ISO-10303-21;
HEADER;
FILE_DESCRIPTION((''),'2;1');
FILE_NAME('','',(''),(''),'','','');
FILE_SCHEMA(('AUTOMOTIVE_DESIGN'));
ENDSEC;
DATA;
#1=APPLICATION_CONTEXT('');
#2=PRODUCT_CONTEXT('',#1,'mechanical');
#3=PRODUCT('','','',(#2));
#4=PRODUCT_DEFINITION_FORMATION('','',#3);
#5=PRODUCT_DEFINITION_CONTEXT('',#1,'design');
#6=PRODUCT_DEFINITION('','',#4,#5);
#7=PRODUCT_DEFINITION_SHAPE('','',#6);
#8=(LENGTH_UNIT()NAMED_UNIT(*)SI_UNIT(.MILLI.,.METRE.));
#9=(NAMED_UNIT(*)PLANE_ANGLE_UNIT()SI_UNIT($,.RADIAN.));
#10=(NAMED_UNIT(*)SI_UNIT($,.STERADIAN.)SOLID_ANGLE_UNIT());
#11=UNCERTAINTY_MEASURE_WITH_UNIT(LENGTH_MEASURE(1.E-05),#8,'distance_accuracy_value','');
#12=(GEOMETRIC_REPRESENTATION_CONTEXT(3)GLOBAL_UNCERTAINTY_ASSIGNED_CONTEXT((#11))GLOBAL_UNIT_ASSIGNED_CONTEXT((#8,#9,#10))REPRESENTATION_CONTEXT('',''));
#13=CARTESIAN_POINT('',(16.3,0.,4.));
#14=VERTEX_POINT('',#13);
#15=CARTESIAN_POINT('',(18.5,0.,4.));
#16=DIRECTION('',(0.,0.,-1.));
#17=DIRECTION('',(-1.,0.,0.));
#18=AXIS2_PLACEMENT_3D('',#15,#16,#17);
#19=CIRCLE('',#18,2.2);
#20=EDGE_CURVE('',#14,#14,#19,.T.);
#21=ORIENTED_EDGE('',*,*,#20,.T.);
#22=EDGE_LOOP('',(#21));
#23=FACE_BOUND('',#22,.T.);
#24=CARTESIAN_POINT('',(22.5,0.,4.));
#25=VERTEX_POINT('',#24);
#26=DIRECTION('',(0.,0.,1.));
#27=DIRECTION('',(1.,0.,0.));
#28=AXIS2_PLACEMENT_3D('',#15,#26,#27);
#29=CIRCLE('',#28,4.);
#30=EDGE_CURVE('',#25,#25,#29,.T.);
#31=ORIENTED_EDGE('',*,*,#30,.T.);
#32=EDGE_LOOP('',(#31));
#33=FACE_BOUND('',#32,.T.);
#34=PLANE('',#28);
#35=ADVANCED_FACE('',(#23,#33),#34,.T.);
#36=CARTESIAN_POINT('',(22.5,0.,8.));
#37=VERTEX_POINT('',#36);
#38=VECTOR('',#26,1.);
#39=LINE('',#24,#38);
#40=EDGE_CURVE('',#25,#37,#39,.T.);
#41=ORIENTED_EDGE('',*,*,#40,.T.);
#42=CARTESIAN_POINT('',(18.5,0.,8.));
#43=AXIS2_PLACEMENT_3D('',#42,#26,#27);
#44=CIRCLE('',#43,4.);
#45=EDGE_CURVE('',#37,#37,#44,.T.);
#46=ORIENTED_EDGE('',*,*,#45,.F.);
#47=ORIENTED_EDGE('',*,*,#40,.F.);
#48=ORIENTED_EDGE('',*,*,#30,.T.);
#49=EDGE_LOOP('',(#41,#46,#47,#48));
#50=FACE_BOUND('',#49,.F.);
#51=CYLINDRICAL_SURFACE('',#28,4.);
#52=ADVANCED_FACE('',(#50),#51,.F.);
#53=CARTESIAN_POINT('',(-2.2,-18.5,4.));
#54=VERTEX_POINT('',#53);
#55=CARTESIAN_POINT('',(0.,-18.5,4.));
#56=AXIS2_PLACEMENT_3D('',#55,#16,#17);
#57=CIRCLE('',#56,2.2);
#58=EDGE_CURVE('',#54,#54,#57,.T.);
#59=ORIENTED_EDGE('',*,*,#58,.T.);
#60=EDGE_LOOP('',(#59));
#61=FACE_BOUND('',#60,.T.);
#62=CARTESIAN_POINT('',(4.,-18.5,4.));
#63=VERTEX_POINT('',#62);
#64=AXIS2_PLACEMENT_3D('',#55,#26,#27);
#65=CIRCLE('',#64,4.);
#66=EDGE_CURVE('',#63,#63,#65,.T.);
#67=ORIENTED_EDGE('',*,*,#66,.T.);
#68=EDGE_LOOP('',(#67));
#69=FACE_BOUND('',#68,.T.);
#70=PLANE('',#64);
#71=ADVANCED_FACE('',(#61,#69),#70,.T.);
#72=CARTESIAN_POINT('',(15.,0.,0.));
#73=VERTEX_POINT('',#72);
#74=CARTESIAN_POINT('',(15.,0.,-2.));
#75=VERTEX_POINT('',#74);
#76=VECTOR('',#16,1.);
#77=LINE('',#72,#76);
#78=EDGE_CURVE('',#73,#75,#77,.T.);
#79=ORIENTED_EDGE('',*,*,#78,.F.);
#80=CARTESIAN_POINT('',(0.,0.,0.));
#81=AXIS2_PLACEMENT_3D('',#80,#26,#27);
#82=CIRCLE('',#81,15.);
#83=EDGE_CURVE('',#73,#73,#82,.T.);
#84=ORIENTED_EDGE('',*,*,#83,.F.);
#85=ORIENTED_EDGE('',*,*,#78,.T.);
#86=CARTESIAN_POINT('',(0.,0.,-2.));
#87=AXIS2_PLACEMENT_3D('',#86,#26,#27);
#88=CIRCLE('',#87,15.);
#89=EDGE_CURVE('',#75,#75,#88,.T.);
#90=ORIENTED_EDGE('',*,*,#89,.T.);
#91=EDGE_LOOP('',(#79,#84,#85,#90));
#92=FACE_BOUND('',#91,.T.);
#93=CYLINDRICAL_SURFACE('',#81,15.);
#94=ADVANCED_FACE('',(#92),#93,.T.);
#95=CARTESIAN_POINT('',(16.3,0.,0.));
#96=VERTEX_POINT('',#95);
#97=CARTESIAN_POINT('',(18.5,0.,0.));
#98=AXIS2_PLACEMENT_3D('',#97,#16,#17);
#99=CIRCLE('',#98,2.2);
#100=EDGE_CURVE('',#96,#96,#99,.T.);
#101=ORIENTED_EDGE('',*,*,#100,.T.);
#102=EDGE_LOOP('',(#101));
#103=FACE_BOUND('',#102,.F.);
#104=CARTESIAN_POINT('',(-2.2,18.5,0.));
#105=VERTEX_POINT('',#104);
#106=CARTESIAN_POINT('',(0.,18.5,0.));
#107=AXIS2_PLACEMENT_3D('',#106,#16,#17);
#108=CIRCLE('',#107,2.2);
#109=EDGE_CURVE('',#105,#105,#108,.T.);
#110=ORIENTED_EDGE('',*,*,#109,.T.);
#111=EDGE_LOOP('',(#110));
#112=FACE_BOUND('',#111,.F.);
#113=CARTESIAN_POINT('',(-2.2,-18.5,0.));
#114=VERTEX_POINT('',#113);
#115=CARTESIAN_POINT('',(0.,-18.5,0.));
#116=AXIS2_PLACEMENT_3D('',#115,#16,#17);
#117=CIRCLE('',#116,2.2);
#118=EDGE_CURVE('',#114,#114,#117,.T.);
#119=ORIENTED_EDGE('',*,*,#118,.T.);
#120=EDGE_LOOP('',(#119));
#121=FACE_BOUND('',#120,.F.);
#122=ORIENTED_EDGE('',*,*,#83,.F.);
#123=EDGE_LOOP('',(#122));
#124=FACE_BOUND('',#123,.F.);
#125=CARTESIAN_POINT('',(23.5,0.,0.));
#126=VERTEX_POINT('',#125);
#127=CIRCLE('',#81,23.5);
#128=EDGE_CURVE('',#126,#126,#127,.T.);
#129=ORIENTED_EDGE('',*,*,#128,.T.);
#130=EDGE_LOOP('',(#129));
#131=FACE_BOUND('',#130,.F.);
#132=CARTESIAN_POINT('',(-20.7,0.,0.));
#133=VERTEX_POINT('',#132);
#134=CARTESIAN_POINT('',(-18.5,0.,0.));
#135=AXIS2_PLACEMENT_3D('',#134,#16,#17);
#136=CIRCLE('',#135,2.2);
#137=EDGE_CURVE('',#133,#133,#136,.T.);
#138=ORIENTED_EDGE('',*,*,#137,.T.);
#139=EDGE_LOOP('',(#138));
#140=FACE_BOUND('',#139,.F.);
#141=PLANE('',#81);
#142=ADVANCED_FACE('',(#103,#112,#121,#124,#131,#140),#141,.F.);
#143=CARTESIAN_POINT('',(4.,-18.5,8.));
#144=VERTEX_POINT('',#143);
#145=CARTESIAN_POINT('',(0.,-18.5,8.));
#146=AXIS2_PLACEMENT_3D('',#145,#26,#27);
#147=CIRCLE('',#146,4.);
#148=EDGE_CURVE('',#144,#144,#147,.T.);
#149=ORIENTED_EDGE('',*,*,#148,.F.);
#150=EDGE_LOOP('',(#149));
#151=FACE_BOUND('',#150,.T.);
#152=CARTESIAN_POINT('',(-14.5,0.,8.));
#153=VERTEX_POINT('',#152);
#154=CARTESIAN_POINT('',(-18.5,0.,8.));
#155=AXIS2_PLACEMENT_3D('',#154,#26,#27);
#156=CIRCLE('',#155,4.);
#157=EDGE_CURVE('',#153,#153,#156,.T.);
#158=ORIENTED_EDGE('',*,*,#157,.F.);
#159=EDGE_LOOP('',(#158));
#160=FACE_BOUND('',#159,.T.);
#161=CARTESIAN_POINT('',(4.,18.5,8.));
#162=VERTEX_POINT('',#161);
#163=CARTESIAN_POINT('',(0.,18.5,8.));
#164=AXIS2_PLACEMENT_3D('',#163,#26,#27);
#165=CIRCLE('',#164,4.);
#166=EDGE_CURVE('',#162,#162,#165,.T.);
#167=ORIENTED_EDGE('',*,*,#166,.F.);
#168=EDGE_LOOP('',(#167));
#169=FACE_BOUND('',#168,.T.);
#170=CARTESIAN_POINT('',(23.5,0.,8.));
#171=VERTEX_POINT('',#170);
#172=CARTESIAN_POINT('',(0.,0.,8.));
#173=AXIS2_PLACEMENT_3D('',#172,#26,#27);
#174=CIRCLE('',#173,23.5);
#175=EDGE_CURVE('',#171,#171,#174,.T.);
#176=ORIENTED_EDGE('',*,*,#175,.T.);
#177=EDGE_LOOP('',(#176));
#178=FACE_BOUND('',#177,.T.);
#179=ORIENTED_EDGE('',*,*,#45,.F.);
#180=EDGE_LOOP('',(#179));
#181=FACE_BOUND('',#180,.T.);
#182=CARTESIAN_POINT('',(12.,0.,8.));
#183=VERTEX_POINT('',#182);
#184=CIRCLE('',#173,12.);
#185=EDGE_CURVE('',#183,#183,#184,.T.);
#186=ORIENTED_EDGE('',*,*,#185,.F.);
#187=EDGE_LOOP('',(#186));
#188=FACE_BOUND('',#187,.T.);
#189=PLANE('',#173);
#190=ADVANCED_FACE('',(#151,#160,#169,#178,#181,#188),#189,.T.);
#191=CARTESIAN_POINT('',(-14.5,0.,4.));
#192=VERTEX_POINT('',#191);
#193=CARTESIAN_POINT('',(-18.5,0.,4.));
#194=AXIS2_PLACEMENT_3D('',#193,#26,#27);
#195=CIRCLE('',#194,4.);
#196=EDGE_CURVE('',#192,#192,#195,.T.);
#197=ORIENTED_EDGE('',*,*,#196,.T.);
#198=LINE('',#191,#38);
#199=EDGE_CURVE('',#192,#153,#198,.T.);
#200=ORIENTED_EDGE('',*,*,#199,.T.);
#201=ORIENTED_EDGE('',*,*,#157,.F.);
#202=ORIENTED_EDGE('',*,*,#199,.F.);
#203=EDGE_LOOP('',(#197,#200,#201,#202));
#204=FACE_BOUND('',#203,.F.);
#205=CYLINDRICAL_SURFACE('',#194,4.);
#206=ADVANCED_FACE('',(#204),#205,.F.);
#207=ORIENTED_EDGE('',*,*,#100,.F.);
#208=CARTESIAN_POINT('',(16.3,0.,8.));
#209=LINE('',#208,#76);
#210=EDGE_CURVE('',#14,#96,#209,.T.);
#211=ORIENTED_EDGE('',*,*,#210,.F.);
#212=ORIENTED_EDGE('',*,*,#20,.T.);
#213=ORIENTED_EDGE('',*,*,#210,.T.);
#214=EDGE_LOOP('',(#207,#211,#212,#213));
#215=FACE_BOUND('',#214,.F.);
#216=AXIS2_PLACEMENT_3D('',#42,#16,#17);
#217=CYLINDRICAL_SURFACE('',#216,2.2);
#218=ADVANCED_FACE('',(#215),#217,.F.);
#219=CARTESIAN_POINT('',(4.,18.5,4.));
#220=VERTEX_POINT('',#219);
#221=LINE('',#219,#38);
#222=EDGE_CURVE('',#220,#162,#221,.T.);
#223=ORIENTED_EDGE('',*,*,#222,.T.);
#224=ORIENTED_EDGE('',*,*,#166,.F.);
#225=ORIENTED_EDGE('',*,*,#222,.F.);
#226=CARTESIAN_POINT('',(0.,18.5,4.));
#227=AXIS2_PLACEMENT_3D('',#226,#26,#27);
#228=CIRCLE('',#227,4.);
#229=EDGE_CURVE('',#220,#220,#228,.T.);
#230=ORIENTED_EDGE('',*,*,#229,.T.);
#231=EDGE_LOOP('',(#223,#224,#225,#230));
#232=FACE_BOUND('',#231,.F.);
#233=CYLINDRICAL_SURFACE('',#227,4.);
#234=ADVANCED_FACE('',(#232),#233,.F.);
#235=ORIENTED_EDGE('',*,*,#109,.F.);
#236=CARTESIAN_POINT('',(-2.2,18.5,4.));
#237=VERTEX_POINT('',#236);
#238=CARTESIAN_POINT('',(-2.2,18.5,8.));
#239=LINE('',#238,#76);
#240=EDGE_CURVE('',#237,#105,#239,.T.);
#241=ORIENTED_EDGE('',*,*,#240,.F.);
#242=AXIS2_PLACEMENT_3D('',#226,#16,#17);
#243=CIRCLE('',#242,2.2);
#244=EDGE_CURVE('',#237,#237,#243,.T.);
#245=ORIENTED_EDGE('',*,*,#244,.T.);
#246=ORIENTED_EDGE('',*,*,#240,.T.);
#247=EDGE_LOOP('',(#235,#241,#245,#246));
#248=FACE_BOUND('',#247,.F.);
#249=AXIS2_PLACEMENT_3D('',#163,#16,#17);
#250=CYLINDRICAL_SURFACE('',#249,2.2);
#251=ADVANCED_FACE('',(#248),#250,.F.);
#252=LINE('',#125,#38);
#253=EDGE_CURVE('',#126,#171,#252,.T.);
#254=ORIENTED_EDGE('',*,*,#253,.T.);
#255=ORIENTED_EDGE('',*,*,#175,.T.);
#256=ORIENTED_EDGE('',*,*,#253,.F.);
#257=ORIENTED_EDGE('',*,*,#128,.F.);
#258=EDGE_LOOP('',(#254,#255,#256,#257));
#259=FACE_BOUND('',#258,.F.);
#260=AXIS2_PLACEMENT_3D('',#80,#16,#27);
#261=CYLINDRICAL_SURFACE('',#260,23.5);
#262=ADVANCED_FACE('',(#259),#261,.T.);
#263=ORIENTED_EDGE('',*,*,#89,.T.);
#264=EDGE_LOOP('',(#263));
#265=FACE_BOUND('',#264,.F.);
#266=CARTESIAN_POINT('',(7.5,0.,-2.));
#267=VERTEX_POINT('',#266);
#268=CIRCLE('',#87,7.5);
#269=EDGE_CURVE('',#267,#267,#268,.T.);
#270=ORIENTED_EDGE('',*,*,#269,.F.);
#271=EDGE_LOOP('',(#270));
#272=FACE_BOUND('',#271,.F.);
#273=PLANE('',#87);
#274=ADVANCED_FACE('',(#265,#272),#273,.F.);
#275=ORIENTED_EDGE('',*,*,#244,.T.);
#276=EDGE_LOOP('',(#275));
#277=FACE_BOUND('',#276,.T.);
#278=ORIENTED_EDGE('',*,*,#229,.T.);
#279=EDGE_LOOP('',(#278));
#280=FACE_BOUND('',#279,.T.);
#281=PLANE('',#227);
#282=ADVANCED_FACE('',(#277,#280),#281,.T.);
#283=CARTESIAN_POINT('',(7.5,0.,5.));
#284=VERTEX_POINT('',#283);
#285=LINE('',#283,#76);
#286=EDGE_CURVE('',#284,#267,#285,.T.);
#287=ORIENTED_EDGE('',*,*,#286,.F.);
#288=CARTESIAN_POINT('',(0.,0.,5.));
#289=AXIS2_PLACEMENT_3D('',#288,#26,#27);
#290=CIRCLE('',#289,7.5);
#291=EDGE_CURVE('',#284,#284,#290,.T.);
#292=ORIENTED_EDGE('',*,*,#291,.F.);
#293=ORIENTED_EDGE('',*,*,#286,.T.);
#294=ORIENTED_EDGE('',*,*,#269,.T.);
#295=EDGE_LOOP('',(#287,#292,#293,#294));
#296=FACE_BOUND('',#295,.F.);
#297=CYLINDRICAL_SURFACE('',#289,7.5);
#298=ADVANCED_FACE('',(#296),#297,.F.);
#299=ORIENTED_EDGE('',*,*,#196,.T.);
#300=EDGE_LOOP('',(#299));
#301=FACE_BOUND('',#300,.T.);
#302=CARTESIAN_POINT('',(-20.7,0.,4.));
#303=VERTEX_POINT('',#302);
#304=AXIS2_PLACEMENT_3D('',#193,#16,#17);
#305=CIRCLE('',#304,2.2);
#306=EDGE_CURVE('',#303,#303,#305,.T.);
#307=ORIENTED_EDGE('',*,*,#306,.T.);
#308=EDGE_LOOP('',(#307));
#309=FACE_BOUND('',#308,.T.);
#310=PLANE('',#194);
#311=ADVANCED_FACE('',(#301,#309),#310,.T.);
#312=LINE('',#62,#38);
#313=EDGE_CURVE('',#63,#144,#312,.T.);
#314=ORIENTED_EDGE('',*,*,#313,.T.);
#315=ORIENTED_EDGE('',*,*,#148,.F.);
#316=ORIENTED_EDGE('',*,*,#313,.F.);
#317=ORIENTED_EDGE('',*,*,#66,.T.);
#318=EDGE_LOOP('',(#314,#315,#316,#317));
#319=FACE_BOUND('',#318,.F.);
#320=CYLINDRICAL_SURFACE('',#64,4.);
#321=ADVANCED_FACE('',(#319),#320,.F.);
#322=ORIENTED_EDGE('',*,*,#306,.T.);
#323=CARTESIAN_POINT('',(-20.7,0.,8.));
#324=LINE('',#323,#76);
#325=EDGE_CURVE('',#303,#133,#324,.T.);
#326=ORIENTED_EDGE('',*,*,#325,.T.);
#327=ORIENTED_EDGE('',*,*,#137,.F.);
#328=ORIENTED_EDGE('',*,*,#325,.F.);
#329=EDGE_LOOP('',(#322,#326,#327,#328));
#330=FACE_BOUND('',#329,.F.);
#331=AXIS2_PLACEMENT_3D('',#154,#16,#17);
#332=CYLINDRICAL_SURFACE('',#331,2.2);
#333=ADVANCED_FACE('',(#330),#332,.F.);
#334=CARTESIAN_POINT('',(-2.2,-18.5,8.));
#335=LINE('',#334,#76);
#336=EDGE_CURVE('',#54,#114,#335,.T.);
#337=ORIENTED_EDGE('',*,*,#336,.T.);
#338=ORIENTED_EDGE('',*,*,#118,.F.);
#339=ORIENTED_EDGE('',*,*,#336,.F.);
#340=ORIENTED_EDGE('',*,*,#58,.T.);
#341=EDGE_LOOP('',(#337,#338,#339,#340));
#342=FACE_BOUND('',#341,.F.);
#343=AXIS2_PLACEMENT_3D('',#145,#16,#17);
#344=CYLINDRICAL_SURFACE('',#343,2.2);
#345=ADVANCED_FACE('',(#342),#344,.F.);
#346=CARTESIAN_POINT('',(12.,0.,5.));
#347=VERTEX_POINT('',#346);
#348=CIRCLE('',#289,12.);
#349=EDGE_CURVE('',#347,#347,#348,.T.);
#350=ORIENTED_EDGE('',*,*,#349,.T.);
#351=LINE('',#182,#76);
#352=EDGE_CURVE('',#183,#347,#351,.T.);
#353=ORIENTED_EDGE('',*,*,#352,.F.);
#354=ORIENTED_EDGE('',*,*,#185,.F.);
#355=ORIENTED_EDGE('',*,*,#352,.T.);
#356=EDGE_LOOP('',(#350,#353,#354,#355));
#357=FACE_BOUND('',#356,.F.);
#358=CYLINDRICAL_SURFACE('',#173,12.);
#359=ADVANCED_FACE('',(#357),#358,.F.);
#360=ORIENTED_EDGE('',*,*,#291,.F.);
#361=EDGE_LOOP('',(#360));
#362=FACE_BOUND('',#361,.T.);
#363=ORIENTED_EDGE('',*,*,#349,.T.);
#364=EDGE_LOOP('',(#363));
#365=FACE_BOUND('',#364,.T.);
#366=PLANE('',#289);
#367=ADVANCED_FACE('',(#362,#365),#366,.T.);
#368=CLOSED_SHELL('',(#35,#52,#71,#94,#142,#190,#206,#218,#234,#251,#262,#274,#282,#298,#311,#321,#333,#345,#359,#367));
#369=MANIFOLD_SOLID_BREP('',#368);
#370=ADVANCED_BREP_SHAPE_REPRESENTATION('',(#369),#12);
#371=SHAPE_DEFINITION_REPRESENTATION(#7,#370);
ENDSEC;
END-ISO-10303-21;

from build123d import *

# Parameters (mm, degrees)
F0_R           = 15
F1_DEPTH       = 2
F2_R           = 23.5
F3_DEPTH       = 8
F4_R           = 12
F5_DEPTH       = 3
F6_R           = 7.5
F7_DEPTH       = 7.001
F9_D           = 4.4
F9_CBORE_D     = 8
F9_CBORE_DEPTH = 4


with BuildPart() as f1:
    # F0 (on Top) → F1 (new body)
    with BuildSketch(Plane.XY):
        Circle(F0_R)
    extrude(amount=-F1_DEPTH)

    # F2 (on Top) → F3 (join)
    with BuildSketch(Plane.XY):
        Circle(F2_R)
    extrude(amount=F3_DEPTH)

    # F4 (on face) → F5 (cut)
    with BuildSketch(Plane.XY.offset(8)):
        Circle(F4_R)
    extrude(amount=-F5_DEPTH, mode=Mode.SUBTRACT)

    # F6 (on face) → F7 (cut, through all)
    with BuildSketch(Plane.XY.offset(5)):
        Circle(F6_R)
    extrude(amount=-F7_DEPTH, mode=Mode.SUBTRACT)

    # F9 (through all)
    with Locations(Plane.XY.offset(8)):
        with Locations((0, 18.5), (-18.5, 0), (0, -18.5), (18.5, 0)):
            CounterBoreHole(F9_D / 2, F9_CBORE_D / 2, F9_CBORE_DEPTH)


solid = f1.part
